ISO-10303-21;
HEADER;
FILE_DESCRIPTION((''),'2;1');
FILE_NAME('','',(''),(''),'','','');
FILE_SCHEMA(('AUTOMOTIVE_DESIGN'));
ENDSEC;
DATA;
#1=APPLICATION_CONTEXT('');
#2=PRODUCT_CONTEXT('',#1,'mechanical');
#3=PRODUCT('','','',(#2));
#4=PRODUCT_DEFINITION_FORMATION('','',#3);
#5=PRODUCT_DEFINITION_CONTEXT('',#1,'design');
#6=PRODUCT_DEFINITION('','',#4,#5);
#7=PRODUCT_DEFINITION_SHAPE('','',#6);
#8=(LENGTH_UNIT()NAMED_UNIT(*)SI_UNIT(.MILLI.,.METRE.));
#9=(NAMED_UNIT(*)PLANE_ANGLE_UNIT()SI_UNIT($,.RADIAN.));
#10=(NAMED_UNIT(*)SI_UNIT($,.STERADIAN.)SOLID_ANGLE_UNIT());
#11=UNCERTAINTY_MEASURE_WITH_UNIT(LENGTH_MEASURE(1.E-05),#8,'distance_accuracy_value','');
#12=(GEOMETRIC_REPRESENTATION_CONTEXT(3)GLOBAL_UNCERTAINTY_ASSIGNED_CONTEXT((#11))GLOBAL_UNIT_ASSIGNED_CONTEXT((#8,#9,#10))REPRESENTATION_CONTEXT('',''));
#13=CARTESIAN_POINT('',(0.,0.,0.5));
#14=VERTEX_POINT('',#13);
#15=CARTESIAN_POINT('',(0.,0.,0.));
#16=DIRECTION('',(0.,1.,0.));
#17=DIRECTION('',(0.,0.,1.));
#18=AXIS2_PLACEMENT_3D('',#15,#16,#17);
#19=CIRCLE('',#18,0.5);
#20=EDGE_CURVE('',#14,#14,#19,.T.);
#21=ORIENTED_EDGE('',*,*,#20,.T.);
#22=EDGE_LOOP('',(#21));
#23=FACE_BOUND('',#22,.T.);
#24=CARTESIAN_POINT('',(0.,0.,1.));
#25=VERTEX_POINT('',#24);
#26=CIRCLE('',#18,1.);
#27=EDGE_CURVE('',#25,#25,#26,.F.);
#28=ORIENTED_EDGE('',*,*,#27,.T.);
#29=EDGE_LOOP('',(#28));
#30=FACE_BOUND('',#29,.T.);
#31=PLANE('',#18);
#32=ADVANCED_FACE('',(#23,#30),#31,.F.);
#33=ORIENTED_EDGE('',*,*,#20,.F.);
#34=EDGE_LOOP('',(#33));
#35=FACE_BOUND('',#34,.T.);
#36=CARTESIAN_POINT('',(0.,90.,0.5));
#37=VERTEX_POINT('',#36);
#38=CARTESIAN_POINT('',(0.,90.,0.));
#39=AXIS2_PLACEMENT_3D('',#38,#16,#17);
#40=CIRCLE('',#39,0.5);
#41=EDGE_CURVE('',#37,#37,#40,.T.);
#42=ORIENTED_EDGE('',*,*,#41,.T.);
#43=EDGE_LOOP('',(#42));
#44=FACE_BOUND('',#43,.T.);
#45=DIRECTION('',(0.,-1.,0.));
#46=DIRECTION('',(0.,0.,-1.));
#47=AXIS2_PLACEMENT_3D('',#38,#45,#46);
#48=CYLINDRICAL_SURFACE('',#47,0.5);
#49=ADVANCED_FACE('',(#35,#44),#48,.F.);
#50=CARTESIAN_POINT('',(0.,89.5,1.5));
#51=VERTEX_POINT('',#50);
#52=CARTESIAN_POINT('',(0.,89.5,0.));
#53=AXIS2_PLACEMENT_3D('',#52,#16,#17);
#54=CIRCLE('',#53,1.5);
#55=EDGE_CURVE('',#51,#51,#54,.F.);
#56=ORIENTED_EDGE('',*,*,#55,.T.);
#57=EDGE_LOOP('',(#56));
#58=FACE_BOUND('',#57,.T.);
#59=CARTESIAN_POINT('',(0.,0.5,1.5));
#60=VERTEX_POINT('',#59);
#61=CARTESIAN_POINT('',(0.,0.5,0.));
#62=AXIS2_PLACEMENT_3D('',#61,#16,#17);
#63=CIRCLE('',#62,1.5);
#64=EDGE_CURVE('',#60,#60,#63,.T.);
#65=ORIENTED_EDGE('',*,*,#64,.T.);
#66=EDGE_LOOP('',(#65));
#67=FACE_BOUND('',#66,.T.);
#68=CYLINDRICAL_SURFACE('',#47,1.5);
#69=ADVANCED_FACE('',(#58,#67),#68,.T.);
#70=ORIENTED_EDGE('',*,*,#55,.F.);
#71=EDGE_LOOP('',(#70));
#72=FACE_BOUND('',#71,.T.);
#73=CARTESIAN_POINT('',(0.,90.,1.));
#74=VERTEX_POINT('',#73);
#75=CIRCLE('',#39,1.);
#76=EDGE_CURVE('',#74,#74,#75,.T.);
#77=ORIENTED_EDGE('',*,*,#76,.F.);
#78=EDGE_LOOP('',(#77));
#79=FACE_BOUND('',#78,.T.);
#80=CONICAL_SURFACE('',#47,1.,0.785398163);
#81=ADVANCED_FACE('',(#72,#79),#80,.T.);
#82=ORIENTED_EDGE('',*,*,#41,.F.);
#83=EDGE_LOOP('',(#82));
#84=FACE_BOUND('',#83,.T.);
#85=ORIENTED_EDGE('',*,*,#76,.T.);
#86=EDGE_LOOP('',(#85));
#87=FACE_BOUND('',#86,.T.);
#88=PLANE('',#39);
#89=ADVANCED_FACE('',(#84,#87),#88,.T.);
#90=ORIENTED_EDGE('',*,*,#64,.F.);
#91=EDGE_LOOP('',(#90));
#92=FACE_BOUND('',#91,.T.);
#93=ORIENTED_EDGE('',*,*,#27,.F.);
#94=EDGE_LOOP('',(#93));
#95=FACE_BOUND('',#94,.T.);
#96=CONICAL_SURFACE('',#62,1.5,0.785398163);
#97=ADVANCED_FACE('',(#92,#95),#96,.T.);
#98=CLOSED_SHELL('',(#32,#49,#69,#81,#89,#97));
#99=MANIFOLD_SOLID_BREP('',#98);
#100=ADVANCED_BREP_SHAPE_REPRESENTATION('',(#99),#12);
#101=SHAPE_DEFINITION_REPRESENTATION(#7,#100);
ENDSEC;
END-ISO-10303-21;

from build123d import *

# Parameters (mm, degrees)
SKETCH1_R           = 1.5
SKETCH1_R_2         = 0.5
BOSS_EXTRUDE1_DEPTH = 90
CHAMFER1_SIZE       = 0.5


with BuildPart() as part:
    # Sketch1 → Boss-Extrude1 (new body)
    with BuildSketch(Plane(origin=(0, 0, 0), x_dir=(1, 0, 0), z_dir=(0, 1, 0))):
        Circle(SKETCH1_R)
        Circle(SKETCH1_R_2, mode=Mode.SUBTRACT)
    extrude(amount=BOSS_EXTRUDE1_DEPTH)

    # Chamfer1
    chamfer1_edges = [part.edges().sort_by_distance(p)[0] for p in [
        (-1.5, 0, 0),
        (-1.5, 90, 0),
    ]]
    chamfer(chamfer1_edges, length=CHAMFER1_SIZE)


solid = part.part
